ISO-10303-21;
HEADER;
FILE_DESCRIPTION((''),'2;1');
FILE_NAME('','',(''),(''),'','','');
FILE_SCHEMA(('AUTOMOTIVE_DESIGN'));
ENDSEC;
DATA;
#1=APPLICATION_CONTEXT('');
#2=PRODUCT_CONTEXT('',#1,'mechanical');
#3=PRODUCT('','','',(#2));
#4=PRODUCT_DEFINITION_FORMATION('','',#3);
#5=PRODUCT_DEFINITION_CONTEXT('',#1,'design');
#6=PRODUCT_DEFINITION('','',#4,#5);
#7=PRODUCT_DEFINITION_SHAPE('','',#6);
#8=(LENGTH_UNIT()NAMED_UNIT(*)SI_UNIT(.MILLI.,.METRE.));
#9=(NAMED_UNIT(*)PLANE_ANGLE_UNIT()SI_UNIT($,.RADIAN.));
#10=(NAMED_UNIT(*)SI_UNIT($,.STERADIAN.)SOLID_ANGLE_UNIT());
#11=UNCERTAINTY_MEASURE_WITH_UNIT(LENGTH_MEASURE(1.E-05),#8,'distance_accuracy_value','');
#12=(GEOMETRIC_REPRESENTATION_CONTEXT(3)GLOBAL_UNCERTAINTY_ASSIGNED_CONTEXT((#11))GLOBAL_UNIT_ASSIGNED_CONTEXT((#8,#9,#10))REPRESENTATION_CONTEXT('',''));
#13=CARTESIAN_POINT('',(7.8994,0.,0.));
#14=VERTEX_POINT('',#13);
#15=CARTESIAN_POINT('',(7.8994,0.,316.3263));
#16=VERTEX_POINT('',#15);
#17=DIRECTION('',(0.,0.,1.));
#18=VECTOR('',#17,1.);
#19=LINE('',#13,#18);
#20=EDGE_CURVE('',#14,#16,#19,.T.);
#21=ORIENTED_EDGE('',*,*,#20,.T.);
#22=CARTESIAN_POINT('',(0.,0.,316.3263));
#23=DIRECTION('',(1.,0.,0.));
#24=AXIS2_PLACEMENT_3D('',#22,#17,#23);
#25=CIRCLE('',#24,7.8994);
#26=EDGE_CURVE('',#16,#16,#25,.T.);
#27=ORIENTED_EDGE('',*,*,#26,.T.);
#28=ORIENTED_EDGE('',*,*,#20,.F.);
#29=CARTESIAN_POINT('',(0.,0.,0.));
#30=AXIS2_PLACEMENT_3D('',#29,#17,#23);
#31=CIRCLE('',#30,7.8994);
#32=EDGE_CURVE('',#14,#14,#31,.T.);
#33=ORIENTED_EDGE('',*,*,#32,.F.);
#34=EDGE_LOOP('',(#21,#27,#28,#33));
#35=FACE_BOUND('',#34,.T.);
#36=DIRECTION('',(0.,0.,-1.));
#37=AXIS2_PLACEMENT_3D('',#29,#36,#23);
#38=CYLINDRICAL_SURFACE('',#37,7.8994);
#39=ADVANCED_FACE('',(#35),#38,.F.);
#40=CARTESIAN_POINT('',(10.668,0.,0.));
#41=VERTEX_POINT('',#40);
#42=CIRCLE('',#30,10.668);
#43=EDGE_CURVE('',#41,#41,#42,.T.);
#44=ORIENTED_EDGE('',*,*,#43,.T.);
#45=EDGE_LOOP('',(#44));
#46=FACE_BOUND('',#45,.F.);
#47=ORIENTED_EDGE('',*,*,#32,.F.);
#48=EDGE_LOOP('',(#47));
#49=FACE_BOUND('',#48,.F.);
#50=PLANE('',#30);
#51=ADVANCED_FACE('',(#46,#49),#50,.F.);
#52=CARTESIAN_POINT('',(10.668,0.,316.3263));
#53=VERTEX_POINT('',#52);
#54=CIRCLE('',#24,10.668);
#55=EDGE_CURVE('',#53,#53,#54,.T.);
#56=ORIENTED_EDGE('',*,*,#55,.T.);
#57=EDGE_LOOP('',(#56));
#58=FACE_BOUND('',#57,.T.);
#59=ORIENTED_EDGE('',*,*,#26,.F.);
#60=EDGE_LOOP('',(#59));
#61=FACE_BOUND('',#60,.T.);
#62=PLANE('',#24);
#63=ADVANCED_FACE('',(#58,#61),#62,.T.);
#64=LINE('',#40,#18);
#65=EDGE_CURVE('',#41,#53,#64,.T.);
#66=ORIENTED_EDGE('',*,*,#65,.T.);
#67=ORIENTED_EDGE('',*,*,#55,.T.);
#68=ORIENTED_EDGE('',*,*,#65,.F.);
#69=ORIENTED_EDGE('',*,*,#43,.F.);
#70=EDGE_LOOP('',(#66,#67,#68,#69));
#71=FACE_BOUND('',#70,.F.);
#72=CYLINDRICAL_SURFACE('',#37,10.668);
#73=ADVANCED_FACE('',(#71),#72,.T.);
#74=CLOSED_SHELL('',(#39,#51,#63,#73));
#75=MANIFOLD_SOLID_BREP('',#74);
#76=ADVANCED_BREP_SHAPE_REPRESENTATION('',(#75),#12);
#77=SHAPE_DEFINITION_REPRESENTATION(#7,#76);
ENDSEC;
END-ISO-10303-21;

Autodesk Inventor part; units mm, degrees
ref_plane "YZ Plane" through (0, 0, 0) normal (1, 0, 0) x (0, 1, 0)
ref_plane "Start Plane" through (0, 0, 0) normal (0, 0, 1) x (1, 0, 0)
ref_plane "End Plane" through (0, 0, 316.3263) normal (0, 0, 1) x (1, 0, 0)
sketch "Sketch" plane through (0, 0, 0) normal (0, 0, 1) x (1, 0, 0)
  circle A0 centre (0, 0) radius 7.8994
  circle A1 centre (0, 0) radius 10.668
  dimension "d0" = 21.336
  dimension "d1" = 2.7686
extrude "Body" add sketch "Sketch" along normal up to surface (316.3263 mm away) from surface at 0
sketch "Sketch3" plane through (0, 0, 0) normal (0, 0, 1) x (1, 0, 0)
  line L0 (0, 0) -> (10, 0)
ref_plane "Work Plane3" through (0, 0, 0) normal (0, -1, 0) x (1, 0, 0)
sketch "Sketch4" plane through (0, 0, 0) normal (0, -1, 0) x (1, 0, 0)
  line L0 (-2, 0) -> (12, 0) projected
  line L1 (-2, 316.3263) -> (12, 316.3263) projected
  dimension "d7" = 316.3263
equation "\"d0\" = G_H"
equation "\"d1\" = G_T"
equation "\"d2\" = G_L"
equation "\"G_H\" = 21.336"
equation "\"G_T\" = 2.7686"
equation "\"G_L\" = d7"
equation "\"G_OFFSET_START\" = 0"
equation "\"G_OFFSET_END\" = 0"
equation "\"d5\" = G_OFFSET_END + B_L"
equation "\"B_L\" = 316.32634"
properties part number "ANSI - 1/2 x 0.109 - 12.454" material "Steel, Mild"
